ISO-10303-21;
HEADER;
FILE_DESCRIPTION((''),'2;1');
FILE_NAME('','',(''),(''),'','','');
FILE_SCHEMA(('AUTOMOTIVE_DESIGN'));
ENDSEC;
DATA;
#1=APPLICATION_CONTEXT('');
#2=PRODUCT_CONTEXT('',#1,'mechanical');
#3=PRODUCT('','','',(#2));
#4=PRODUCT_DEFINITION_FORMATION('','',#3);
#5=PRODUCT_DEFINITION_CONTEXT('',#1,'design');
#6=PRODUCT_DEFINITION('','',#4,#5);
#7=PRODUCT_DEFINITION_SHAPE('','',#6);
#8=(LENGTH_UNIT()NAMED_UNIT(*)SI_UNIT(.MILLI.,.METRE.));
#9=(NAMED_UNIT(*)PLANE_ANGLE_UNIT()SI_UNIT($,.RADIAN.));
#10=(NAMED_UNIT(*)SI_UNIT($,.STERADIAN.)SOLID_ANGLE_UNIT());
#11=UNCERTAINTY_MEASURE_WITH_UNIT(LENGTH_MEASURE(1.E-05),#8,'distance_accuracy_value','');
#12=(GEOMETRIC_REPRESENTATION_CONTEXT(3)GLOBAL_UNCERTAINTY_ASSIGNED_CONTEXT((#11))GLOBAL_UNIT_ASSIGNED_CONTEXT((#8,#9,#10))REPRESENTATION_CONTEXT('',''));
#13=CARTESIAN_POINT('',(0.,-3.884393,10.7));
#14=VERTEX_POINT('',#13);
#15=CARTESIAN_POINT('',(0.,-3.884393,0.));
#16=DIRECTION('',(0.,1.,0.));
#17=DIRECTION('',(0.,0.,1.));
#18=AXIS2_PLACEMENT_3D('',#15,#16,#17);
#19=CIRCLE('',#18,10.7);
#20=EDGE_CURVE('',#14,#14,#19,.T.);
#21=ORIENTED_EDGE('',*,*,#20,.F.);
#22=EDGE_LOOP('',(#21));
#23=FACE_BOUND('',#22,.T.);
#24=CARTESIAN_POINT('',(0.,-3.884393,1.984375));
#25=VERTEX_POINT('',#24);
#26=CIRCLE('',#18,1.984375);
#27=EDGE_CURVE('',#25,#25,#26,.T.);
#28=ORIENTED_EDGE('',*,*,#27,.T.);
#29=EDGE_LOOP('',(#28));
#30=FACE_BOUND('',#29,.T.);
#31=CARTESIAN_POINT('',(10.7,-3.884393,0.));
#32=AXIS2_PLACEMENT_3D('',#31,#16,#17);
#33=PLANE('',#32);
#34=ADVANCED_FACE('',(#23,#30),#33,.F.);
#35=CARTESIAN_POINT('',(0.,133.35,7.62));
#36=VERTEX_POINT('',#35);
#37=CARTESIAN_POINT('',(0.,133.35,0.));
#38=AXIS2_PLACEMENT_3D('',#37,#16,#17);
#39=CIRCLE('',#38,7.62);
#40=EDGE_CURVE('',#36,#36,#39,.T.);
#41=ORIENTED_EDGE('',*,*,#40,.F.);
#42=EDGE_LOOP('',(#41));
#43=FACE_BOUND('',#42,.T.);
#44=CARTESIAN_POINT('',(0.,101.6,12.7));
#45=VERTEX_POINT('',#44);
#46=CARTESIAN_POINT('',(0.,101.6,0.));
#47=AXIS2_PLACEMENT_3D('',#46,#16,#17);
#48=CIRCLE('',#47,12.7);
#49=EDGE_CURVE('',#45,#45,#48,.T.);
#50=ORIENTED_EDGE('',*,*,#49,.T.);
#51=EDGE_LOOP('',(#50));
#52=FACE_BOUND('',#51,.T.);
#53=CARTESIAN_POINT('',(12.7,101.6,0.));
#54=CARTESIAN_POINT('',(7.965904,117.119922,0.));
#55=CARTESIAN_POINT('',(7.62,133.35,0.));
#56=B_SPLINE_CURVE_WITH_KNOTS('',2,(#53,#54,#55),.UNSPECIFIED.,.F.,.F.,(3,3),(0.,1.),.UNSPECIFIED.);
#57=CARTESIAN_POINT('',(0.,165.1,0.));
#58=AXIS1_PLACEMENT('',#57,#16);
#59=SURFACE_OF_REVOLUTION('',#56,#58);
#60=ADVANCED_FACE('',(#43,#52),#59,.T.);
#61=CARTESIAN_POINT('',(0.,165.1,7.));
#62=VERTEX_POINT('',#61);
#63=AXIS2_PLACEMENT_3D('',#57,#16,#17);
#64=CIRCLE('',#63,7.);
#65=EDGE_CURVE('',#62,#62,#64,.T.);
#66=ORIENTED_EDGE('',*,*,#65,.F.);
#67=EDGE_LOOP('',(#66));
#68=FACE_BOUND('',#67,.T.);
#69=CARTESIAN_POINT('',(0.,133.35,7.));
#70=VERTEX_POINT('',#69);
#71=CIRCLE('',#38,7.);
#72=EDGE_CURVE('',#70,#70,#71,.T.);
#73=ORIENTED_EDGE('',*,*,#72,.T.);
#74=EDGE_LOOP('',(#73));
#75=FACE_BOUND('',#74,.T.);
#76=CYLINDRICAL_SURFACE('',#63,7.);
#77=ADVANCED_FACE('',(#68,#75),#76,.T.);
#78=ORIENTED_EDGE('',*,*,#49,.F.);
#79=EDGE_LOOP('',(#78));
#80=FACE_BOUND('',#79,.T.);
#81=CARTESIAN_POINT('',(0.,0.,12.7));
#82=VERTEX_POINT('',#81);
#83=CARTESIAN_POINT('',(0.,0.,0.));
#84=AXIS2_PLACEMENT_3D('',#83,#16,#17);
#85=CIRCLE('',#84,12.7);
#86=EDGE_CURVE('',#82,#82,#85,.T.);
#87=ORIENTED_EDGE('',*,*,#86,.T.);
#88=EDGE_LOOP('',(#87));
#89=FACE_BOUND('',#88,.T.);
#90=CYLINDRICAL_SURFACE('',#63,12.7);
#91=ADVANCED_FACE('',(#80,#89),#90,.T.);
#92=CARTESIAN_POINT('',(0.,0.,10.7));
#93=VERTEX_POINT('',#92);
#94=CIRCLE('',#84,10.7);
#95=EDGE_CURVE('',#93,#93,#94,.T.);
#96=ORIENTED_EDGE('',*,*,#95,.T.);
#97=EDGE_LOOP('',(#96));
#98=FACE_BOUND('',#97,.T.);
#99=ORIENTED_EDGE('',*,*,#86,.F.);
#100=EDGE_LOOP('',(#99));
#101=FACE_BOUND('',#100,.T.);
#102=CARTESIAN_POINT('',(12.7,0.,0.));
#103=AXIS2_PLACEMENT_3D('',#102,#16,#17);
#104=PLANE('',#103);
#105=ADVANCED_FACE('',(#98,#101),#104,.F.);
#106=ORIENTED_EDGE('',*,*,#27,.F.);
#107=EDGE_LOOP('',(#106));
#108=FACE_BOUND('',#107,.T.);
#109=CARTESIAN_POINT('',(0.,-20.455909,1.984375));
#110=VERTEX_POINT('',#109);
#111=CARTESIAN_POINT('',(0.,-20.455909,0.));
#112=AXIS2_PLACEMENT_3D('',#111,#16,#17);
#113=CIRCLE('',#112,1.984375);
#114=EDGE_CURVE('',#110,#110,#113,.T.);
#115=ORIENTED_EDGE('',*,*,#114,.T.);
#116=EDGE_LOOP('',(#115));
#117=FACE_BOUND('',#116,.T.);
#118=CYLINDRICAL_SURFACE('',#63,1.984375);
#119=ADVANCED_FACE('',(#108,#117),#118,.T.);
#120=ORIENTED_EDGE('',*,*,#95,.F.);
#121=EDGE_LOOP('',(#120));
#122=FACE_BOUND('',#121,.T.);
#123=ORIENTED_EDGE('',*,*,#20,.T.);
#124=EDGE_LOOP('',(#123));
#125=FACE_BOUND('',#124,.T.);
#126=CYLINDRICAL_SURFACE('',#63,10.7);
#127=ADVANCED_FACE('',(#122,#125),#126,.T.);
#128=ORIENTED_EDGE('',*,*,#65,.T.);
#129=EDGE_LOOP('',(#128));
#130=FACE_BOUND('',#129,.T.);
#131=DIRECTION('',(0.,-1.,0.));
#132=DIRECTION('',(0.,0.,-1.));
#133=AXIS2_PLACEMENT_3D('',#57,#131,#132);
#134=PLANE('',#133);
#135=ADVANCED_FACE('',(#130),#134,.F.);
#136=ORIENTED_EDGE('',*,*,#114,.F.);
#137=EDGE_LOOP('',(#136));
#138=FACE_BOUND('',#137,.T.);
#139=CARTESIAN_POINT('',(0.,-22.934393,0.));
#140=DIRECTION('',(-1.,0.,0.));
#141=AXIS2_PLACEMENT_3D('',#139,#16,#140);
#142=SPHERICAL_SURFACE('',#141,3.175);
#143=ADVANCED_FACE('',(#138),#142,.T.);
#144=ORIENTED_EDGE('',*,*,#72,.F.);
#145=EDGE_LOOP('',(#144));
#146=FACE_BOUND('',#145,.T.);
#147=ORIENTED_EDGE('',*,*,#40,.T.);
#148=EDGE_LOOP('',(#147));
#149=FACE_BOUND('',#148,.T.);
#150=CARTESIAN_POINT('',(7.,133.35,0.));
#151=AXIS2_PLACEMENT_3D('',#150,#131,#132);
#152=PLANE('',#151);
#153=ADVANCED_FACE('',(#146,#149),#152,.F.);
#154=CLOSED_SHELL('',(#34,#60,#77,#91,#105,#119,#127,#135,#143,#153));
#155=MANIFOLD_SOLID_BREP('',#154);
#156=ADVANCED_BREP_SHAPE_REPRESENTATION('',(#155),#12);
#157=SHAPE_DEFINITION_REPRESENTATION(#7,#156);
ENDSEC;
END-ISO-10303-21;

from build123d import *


with BuildPart() as part:
    # Sketch1 → Revolve3 (revolve)
    with BuildSketch(Plane.XY, mode=Mode.PRIVATE) as revolve3_sk:
        with BuildLine():
            Line((12.7, 0), (10.7, 0))
            Line((10.7, 0), (10.7, -3.884392891))
            Line((10.7, -3.884392891), (1.984375, -3.884392891))
            Line((1.984375, -3.884392891), (1.984375, -20.455909311))
            ThreePointArc((1.984375, -20.455909311), (2.995814611, -23.985925019), (0, -26.109392891))
            Line((0, -26.109392891), (0, 165.1))
            Line((0, 165.1), (7, 165.1))
            Line((7, 165.1), (7, 133.35))
            Line((7, 133.35), (7.62, 133.35))
            add(Edge.make_bspline(
                [(12.7, 101.6), (7.965904328, 117.119921913), (7.62, 133.35)],
                knots=[0, 0, 0, 1, 1, 1], degree=2))
            Line((12.7, 101.6), (12.7, 0))
        make_face()
    revolve(revolve3_sk.sketch.rotate(Axis((0, 165.1, 0), (0, -1, 0)), 90), axis=Axis((0, 165.1, 0), (0, -1, 0)))


solid = part.part
